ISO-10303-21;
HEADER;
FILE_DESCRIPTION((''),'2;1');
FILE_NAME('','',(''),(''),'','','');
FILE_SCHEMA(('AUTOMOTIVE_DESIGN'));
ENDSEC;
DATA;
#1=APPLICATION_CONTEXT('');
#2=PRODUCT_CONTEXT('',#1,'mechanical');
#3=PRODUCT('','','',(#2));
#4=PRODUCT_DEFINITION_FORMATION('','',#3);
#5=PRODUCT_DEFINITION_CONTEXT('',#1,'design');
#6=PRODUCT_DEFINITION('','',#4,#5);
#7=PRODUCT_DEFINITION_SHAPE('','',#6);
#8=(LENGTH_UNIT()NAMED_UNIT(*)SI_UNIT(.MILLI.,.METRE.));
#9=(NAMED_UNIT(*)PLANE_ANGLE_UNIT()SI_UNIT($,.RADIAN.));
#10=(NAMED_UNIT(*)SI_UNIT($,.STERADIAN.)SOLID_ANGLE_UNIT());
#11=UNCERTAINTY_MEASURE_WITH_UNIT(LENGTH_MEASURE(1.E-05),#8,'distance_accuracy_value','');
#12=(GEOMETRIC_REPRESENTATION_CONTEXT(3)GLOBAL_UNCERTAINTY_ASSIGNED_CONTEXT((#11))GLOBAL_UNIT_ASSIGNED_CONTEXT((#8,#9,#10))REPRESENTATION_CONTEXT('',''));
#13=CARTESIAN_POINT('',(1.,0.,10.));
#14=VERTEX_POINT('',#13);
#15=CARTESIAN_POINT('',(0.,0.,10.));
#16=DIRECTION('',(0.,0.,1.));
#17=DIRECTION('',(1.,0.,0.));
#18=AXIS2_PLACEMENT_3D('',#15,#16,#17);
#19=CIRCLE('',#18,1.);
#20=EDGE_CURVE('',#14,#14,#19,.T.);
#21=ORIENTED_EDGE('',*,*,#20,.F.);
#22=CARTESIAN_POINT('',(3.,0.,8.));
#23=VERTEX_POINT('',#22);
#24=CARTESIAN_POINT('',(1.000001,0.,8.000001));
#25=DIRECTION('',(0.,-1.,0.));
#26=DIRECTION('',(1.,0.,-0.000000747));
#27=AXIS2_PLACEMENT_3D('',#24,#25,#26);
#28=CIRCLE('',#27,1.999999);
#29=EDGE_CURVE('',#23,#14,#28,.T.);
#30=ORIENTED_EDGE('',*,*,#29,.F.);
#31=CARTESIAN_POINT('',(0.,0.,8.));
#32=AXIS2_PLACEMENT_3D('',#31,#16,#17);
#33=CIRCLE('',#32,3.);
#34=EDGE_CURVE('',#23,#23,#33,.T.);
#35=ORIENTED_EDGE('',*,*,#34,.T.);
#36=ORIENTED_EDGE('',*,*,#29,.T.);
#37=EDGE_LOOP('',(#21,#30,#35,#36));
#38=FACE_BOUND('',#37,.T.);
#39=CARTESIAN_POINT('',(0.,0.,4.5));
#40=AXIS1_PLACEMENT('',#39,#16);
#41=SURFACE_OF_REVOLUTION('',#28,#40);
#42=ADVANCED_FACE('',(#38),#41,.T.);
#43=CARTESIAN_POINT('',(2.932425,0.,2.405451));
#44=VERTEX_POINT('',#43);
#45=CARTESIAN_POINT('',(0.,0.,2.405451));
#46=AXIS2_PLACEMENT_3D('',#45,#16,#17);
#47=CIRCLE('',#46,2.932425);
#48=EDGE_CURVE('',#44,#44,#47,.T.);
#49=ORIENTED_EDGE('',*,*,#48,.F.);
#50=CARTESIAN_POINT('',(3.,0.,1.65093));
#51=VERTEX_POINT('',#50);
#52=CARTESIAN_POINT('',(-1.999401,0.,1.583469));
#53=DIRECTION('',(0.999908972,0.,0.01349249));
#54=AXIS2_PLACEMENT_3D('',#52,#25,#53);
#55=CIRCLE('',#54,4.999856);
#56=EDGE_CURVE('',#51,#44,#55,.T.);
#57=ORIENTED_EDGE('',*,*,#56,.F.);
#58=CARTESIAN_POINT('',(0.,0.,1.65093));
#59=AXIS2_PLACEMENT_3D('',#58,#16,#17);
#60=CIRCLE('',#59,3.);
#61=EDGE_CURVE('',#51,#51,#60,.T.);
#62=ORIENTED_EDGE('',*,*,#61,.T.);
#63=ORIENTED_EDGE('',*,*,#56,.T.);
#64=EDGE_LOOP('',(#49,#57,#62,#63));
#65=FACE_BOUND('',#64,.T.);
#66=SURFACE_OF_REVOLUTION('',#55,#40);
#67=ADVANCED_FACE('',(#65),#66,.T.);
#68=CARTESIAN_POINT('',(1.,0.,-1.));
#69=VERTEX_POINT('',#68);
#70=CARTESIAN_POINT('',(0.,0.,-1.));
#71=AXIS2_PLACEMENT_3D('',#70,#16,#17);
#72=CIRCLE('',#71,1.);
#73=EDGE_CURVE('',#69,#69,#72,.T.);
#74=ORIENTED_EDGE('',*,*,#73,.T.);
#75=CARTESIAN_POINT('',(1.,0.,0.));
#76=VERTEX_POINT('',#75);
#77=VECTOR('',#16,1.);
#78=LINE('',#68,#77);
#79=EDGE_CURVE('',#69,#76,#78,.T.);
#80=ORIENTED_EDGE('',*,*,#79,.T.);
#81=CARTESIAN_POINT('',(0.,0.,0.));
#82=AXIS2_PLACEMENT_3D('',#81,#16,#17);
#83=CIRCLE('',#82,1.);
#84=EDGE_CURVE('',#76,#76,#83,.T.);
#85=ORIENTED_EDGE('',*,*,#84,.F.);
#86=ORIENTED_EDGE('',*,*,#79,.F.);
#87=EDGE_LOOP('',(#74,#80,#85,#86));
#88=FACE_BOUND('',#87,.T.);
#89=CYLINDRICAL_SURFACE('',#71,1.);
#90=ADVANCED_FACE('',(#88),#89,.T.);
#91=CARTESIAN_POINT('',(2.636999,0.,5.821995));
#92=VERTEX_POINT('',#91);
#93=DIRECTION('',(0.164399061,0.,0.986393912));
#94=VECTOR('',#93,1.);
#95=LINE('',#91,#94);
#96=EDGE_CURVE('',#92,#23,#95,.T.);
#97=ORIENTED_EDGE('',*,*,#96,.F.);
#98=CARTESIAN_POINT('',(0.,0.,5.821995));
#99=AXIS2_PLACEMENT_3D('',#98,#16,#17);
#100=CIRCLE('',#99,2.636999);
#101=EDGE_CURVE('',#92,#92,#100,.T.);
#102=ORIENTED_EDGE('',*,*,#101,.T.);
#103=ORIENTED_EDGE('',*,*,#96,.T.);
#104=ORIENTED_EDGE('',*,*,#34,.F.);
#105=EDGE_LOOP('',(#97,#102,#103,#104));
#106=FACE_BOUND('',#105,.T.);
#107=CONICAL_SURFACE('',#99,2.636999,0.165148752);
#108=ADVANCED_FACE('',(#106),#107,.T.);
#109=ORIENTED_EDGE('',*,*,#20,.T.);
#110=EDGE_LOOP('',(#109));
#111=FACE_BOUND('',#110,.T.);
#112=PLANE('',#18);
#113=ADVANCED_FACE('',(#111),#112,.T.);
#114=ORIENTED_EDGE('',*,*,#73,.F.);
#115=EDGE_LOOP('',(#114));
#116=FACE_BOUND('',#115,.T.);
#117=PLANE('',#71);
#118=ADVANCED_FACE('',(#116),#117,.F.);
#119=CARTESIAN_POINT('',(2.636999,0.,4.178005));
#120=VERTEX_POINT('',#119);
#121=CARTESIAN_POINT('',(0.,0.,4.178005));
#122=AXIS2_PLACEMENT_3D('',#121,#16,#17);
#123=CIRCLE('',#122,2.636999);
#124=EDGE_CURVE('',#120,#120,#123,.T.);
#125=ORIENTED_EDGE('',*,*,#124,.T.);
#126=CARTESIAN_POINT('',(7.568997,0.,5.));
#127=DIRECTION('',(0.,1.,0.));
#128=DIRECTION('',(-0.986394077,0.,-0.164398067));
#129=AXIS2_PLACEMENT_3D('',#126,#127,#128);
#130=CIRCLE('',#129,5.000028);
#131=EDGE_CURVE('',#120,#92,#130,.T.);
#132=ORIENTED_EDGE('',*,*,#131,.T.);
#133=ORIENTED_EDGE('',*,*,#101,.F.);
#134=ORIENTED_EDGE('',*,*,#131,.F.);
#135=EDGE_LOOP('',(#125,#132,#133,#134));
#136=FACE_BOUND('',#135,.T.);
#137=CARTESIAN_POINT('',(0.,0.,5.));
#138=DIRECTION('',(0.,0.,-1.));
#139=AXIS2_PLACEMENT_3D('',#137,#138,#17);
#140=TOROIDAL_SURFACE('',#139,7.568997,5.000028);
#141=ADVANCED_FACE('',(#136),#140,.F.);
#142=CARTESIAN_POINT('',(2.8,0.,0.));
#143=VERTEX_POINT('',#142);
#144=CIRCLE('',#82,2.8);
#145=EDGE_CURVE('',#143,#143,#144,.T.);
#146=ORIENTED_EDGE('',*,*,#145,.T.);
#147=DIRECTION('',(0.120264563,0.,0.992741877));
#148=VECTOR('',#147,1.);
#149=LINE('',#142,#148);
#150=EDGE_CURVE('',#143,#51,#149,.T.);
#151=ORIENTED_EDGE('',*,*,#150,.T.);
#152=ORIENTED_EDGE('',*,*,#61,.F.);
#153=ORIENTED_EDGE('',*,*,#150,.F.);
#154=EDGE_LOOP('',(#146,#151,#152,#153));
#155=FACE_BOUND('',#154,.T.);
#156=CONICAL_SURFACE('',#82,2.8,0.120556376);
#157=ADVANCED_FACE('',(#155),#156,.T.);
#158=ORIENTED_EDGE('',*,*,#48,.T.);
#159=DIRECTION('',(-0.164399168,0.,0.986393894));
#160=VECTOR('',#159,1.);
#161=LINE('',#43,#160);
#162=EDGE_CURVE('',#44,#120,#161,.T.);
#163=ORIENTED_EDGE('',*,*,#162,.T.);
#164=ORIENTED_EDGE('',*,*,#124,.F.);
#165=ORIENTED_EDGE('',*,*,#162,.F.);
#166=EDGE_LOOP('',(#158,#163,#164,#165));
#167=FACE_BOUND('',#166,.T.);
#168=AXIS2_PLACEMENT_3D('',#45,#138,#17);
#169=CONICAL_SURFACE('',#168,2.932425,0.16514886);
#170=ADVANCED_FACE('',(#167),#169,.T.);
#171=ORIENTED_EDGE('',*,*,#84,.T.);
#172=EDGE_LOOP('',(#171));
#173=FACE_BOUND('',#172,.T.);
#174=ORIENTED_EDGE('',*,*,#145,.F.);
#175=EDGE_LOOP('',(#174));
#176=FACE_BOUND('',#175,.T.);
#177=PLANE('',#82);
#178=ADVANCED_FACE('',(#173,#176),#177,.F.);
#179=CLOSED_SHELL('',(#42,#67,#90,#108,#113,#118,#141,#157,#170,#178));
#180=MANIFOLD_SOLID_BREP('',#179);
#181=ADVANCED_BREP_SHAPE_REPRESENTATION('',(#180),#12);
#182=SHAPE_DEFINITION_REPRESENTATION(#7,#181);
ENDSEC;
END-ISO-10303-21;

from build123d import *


with BuildPart() as f1:
    # F0 (on Front) → F1 (revolve)
    with BuildSketch(Plane.XZ):
        with BuildLine():
            ThreePointArc((3, 1.65093), (2.980523, 2.029472), (2.932425, 2.405451))
            Line((2.932425, 2.405451), (2.636999, 4.178005))
            ThreePointArc((2.636999, 4.178005), (2.568969, 5), (2.636999, 5.821995))
            Line((2.636999, 5.821995), (3, 8))
            ThreePointArc((3, 8), (2.414214, 9.414214), (1, 10))
            Line((1, 10), (0, 10))
            Line((0, 10), (0, 0))
            Line((0, 0), (0, -1))
            Line((0, -1), (1, -1))
            Line((1, -1), (1, 0))
            Line((1, 0), (2.8, 0))
            Line((2.8, 0), (3, 1.65093))
        make_face()
    revolve(axis=Axis((0, 0, 4.5), (0, 0, 1)))


solid = f1.part
